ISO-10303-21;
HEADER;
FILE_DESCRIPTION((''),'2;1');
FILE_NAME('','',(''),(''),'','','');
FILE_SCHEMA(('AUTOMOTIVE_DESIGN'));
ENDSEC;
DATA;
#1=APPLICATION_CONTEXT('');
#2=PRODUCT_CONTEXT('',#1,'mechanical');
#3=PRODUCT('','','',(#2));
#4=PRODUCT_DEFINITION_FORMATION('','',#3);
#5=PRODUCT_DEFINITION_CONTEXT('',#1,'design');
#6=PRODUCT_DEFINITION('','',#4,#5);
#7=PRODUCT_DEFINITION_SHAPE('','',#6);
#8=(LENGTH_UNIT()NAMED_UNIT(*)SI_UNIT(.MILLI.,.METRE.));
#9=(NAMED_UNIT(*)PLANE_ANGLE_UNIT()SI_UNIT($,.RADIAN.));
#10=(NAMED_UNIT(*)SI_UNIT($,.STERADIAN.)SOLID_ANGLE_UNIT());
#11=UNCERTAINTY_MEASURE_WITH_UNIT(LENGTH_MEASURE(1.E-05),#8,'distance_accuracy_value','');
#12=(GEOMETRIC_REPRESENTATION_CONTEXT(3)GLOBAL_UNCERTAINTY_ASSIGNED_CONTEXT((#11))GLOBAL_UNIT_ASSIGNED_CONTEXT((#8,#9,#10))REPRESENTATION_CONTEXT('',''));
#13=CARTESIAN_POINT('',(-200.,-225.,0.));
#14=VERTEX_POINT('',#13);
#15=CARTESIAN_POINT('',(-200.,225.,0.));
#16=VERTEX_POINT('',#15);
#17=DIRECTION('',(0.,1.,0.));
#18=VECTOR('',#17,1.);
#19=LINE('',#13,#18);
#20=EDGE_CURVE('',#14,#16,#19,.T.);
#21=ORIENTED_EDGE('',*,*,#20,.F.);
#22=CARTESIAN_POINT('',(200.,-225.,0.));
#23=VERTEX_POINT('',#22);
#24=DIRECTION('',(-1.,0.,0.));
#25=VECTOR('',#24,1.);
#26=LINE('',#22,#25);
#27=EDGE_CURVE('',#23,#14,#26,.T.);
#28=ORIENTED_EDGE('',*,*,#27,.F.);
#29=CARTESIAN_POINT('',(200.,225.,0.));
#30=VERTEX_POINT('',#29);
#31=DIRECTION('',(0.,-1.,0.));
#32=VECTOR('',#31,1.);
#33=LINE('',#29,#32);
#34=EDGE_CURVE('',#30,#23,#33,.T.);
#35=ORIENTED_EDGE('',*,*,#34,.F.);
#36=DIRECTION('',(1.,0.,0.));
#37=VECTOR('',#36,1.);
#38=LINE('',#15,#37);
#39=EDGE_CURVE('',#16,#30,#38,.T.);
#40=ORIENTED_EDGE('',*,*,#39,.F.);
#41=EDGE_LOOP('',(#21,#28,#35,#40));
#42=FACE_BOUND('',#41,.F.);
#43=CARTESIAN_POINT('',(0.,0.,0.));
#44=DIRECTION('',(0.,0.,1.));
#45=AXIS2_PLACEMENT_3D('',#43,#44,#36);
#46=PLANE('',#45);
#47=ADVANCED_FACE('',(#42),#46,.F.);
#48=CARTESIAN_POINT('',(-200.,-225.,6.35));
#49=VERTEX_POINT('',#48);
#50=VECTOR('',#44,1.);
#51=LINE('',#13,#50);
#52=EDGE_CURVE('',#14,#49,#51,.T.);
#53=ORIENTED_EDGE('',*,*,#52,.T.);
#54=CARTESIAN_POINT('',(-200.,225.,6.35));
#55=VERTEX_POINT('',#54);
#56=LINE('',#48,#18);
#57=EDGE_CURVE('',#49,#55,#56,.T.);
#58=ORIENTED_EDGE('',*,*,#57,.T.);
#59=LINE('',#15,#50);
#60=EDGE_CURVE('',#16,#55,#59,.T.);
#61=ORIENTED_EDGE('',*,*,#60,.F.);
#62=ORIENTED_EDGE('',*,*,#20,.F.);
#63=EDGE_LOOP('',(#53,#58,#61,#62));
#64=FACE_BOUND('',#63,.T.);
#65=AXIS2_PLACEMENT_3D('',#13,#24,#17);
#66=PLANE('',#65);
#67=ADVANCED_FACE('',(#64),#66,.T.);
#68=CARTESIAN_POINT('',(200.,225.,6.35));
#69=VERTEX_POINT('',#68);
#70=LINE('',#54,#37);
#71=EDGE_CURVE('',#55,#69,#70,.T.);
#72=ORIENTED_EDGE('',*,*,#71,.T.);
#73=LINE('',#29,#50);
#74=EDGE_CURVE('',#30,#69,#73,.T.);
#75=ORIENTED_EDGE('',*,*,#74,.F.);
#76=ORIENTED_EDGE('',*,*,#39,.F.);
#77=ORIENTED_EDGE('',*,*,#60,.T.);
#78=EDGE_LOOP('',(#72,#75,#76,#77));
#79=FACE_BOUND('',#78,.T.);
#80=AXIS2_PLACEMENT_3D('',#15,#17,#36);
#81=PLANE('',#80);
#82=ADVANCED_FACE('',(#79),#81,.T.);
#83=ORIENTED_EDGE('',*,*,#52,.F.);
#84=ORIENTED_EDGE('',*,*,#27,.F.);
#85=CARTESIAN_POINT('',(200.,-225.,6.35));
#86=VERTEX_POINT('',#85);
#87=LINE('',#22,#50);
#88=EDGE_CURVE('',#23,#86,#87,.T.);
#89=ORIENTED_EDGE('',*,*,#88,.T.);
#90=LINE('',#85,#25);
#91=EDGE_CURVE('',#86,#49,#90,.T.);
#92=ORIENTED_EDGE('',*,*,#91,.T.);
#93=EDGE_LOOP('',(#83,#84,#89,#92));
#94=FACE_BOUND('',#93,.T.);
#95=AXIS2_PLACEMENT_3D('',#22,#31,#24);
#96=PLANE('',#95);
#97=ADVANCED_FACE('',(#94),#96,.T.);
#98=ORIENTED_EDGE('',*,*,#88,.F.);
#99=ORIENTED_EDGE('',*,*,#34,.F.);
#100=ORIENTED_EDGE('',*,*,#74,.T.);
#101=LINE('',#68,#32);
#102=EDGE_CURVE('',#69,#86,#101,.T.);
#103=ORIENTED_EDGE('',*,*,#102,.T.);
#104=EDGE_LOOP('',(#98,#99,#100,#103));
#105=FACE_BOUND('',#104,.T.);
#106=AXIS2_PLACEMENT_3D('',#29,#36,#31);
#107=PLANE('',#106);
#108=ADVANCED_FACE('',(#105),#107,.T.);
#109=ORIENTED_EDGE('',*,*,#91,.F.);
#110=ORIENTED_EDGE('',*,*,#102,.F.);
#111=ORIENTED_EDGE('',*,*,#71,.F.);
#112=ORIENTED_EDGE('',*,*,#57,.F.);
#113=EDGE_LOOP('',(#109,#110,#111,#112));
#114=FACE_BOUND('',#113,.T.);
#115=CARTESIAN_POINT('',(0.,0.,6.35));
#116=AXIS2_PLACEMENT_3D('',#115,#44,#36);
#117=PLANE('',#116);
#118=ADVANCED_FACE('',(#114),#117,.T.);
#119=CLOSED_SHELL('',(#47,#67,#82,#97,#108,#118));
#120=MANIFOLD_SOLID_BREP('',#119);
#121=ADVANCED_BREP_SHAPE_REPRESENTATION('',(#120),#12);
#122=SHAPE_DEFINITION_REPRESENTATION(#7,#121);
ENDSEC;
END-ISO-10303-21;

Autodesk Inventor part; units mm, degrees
ref_plane "YZ Plane" through (0, 0, 0) normal (1, 0, 0) x (0, 1, 0)
ref_plane "XZ Plane" through (0, 0, 0) normal (0, 1, 0) x (-1, 0, 0)
ref_plane "XY Plane" through (0, 0, 0) normal (0, 0, 1) x (1, 0, 0)
sketch "Sketch1" plane through (0, 0, 0) normal (0, 0, 1) x (1, 0, 0)
  line L0 (-200, 225) -> (200, 225)
  line L1 (200, 225) -> (200, -225)
  line L2 (200, -225) -> (-200, -225)
  line L3 (-200, -225) -> (-200, 225)
  point P0 (0, 0)
  dimension "d0" = 400
  dimension "d1" = 450
  dimension "d2" = 200
  dimension "d3" = 225
extrude "Extrusion1" add sketch "Sketch1" along normal blind 6.35
properties part number "MDF_Base"
